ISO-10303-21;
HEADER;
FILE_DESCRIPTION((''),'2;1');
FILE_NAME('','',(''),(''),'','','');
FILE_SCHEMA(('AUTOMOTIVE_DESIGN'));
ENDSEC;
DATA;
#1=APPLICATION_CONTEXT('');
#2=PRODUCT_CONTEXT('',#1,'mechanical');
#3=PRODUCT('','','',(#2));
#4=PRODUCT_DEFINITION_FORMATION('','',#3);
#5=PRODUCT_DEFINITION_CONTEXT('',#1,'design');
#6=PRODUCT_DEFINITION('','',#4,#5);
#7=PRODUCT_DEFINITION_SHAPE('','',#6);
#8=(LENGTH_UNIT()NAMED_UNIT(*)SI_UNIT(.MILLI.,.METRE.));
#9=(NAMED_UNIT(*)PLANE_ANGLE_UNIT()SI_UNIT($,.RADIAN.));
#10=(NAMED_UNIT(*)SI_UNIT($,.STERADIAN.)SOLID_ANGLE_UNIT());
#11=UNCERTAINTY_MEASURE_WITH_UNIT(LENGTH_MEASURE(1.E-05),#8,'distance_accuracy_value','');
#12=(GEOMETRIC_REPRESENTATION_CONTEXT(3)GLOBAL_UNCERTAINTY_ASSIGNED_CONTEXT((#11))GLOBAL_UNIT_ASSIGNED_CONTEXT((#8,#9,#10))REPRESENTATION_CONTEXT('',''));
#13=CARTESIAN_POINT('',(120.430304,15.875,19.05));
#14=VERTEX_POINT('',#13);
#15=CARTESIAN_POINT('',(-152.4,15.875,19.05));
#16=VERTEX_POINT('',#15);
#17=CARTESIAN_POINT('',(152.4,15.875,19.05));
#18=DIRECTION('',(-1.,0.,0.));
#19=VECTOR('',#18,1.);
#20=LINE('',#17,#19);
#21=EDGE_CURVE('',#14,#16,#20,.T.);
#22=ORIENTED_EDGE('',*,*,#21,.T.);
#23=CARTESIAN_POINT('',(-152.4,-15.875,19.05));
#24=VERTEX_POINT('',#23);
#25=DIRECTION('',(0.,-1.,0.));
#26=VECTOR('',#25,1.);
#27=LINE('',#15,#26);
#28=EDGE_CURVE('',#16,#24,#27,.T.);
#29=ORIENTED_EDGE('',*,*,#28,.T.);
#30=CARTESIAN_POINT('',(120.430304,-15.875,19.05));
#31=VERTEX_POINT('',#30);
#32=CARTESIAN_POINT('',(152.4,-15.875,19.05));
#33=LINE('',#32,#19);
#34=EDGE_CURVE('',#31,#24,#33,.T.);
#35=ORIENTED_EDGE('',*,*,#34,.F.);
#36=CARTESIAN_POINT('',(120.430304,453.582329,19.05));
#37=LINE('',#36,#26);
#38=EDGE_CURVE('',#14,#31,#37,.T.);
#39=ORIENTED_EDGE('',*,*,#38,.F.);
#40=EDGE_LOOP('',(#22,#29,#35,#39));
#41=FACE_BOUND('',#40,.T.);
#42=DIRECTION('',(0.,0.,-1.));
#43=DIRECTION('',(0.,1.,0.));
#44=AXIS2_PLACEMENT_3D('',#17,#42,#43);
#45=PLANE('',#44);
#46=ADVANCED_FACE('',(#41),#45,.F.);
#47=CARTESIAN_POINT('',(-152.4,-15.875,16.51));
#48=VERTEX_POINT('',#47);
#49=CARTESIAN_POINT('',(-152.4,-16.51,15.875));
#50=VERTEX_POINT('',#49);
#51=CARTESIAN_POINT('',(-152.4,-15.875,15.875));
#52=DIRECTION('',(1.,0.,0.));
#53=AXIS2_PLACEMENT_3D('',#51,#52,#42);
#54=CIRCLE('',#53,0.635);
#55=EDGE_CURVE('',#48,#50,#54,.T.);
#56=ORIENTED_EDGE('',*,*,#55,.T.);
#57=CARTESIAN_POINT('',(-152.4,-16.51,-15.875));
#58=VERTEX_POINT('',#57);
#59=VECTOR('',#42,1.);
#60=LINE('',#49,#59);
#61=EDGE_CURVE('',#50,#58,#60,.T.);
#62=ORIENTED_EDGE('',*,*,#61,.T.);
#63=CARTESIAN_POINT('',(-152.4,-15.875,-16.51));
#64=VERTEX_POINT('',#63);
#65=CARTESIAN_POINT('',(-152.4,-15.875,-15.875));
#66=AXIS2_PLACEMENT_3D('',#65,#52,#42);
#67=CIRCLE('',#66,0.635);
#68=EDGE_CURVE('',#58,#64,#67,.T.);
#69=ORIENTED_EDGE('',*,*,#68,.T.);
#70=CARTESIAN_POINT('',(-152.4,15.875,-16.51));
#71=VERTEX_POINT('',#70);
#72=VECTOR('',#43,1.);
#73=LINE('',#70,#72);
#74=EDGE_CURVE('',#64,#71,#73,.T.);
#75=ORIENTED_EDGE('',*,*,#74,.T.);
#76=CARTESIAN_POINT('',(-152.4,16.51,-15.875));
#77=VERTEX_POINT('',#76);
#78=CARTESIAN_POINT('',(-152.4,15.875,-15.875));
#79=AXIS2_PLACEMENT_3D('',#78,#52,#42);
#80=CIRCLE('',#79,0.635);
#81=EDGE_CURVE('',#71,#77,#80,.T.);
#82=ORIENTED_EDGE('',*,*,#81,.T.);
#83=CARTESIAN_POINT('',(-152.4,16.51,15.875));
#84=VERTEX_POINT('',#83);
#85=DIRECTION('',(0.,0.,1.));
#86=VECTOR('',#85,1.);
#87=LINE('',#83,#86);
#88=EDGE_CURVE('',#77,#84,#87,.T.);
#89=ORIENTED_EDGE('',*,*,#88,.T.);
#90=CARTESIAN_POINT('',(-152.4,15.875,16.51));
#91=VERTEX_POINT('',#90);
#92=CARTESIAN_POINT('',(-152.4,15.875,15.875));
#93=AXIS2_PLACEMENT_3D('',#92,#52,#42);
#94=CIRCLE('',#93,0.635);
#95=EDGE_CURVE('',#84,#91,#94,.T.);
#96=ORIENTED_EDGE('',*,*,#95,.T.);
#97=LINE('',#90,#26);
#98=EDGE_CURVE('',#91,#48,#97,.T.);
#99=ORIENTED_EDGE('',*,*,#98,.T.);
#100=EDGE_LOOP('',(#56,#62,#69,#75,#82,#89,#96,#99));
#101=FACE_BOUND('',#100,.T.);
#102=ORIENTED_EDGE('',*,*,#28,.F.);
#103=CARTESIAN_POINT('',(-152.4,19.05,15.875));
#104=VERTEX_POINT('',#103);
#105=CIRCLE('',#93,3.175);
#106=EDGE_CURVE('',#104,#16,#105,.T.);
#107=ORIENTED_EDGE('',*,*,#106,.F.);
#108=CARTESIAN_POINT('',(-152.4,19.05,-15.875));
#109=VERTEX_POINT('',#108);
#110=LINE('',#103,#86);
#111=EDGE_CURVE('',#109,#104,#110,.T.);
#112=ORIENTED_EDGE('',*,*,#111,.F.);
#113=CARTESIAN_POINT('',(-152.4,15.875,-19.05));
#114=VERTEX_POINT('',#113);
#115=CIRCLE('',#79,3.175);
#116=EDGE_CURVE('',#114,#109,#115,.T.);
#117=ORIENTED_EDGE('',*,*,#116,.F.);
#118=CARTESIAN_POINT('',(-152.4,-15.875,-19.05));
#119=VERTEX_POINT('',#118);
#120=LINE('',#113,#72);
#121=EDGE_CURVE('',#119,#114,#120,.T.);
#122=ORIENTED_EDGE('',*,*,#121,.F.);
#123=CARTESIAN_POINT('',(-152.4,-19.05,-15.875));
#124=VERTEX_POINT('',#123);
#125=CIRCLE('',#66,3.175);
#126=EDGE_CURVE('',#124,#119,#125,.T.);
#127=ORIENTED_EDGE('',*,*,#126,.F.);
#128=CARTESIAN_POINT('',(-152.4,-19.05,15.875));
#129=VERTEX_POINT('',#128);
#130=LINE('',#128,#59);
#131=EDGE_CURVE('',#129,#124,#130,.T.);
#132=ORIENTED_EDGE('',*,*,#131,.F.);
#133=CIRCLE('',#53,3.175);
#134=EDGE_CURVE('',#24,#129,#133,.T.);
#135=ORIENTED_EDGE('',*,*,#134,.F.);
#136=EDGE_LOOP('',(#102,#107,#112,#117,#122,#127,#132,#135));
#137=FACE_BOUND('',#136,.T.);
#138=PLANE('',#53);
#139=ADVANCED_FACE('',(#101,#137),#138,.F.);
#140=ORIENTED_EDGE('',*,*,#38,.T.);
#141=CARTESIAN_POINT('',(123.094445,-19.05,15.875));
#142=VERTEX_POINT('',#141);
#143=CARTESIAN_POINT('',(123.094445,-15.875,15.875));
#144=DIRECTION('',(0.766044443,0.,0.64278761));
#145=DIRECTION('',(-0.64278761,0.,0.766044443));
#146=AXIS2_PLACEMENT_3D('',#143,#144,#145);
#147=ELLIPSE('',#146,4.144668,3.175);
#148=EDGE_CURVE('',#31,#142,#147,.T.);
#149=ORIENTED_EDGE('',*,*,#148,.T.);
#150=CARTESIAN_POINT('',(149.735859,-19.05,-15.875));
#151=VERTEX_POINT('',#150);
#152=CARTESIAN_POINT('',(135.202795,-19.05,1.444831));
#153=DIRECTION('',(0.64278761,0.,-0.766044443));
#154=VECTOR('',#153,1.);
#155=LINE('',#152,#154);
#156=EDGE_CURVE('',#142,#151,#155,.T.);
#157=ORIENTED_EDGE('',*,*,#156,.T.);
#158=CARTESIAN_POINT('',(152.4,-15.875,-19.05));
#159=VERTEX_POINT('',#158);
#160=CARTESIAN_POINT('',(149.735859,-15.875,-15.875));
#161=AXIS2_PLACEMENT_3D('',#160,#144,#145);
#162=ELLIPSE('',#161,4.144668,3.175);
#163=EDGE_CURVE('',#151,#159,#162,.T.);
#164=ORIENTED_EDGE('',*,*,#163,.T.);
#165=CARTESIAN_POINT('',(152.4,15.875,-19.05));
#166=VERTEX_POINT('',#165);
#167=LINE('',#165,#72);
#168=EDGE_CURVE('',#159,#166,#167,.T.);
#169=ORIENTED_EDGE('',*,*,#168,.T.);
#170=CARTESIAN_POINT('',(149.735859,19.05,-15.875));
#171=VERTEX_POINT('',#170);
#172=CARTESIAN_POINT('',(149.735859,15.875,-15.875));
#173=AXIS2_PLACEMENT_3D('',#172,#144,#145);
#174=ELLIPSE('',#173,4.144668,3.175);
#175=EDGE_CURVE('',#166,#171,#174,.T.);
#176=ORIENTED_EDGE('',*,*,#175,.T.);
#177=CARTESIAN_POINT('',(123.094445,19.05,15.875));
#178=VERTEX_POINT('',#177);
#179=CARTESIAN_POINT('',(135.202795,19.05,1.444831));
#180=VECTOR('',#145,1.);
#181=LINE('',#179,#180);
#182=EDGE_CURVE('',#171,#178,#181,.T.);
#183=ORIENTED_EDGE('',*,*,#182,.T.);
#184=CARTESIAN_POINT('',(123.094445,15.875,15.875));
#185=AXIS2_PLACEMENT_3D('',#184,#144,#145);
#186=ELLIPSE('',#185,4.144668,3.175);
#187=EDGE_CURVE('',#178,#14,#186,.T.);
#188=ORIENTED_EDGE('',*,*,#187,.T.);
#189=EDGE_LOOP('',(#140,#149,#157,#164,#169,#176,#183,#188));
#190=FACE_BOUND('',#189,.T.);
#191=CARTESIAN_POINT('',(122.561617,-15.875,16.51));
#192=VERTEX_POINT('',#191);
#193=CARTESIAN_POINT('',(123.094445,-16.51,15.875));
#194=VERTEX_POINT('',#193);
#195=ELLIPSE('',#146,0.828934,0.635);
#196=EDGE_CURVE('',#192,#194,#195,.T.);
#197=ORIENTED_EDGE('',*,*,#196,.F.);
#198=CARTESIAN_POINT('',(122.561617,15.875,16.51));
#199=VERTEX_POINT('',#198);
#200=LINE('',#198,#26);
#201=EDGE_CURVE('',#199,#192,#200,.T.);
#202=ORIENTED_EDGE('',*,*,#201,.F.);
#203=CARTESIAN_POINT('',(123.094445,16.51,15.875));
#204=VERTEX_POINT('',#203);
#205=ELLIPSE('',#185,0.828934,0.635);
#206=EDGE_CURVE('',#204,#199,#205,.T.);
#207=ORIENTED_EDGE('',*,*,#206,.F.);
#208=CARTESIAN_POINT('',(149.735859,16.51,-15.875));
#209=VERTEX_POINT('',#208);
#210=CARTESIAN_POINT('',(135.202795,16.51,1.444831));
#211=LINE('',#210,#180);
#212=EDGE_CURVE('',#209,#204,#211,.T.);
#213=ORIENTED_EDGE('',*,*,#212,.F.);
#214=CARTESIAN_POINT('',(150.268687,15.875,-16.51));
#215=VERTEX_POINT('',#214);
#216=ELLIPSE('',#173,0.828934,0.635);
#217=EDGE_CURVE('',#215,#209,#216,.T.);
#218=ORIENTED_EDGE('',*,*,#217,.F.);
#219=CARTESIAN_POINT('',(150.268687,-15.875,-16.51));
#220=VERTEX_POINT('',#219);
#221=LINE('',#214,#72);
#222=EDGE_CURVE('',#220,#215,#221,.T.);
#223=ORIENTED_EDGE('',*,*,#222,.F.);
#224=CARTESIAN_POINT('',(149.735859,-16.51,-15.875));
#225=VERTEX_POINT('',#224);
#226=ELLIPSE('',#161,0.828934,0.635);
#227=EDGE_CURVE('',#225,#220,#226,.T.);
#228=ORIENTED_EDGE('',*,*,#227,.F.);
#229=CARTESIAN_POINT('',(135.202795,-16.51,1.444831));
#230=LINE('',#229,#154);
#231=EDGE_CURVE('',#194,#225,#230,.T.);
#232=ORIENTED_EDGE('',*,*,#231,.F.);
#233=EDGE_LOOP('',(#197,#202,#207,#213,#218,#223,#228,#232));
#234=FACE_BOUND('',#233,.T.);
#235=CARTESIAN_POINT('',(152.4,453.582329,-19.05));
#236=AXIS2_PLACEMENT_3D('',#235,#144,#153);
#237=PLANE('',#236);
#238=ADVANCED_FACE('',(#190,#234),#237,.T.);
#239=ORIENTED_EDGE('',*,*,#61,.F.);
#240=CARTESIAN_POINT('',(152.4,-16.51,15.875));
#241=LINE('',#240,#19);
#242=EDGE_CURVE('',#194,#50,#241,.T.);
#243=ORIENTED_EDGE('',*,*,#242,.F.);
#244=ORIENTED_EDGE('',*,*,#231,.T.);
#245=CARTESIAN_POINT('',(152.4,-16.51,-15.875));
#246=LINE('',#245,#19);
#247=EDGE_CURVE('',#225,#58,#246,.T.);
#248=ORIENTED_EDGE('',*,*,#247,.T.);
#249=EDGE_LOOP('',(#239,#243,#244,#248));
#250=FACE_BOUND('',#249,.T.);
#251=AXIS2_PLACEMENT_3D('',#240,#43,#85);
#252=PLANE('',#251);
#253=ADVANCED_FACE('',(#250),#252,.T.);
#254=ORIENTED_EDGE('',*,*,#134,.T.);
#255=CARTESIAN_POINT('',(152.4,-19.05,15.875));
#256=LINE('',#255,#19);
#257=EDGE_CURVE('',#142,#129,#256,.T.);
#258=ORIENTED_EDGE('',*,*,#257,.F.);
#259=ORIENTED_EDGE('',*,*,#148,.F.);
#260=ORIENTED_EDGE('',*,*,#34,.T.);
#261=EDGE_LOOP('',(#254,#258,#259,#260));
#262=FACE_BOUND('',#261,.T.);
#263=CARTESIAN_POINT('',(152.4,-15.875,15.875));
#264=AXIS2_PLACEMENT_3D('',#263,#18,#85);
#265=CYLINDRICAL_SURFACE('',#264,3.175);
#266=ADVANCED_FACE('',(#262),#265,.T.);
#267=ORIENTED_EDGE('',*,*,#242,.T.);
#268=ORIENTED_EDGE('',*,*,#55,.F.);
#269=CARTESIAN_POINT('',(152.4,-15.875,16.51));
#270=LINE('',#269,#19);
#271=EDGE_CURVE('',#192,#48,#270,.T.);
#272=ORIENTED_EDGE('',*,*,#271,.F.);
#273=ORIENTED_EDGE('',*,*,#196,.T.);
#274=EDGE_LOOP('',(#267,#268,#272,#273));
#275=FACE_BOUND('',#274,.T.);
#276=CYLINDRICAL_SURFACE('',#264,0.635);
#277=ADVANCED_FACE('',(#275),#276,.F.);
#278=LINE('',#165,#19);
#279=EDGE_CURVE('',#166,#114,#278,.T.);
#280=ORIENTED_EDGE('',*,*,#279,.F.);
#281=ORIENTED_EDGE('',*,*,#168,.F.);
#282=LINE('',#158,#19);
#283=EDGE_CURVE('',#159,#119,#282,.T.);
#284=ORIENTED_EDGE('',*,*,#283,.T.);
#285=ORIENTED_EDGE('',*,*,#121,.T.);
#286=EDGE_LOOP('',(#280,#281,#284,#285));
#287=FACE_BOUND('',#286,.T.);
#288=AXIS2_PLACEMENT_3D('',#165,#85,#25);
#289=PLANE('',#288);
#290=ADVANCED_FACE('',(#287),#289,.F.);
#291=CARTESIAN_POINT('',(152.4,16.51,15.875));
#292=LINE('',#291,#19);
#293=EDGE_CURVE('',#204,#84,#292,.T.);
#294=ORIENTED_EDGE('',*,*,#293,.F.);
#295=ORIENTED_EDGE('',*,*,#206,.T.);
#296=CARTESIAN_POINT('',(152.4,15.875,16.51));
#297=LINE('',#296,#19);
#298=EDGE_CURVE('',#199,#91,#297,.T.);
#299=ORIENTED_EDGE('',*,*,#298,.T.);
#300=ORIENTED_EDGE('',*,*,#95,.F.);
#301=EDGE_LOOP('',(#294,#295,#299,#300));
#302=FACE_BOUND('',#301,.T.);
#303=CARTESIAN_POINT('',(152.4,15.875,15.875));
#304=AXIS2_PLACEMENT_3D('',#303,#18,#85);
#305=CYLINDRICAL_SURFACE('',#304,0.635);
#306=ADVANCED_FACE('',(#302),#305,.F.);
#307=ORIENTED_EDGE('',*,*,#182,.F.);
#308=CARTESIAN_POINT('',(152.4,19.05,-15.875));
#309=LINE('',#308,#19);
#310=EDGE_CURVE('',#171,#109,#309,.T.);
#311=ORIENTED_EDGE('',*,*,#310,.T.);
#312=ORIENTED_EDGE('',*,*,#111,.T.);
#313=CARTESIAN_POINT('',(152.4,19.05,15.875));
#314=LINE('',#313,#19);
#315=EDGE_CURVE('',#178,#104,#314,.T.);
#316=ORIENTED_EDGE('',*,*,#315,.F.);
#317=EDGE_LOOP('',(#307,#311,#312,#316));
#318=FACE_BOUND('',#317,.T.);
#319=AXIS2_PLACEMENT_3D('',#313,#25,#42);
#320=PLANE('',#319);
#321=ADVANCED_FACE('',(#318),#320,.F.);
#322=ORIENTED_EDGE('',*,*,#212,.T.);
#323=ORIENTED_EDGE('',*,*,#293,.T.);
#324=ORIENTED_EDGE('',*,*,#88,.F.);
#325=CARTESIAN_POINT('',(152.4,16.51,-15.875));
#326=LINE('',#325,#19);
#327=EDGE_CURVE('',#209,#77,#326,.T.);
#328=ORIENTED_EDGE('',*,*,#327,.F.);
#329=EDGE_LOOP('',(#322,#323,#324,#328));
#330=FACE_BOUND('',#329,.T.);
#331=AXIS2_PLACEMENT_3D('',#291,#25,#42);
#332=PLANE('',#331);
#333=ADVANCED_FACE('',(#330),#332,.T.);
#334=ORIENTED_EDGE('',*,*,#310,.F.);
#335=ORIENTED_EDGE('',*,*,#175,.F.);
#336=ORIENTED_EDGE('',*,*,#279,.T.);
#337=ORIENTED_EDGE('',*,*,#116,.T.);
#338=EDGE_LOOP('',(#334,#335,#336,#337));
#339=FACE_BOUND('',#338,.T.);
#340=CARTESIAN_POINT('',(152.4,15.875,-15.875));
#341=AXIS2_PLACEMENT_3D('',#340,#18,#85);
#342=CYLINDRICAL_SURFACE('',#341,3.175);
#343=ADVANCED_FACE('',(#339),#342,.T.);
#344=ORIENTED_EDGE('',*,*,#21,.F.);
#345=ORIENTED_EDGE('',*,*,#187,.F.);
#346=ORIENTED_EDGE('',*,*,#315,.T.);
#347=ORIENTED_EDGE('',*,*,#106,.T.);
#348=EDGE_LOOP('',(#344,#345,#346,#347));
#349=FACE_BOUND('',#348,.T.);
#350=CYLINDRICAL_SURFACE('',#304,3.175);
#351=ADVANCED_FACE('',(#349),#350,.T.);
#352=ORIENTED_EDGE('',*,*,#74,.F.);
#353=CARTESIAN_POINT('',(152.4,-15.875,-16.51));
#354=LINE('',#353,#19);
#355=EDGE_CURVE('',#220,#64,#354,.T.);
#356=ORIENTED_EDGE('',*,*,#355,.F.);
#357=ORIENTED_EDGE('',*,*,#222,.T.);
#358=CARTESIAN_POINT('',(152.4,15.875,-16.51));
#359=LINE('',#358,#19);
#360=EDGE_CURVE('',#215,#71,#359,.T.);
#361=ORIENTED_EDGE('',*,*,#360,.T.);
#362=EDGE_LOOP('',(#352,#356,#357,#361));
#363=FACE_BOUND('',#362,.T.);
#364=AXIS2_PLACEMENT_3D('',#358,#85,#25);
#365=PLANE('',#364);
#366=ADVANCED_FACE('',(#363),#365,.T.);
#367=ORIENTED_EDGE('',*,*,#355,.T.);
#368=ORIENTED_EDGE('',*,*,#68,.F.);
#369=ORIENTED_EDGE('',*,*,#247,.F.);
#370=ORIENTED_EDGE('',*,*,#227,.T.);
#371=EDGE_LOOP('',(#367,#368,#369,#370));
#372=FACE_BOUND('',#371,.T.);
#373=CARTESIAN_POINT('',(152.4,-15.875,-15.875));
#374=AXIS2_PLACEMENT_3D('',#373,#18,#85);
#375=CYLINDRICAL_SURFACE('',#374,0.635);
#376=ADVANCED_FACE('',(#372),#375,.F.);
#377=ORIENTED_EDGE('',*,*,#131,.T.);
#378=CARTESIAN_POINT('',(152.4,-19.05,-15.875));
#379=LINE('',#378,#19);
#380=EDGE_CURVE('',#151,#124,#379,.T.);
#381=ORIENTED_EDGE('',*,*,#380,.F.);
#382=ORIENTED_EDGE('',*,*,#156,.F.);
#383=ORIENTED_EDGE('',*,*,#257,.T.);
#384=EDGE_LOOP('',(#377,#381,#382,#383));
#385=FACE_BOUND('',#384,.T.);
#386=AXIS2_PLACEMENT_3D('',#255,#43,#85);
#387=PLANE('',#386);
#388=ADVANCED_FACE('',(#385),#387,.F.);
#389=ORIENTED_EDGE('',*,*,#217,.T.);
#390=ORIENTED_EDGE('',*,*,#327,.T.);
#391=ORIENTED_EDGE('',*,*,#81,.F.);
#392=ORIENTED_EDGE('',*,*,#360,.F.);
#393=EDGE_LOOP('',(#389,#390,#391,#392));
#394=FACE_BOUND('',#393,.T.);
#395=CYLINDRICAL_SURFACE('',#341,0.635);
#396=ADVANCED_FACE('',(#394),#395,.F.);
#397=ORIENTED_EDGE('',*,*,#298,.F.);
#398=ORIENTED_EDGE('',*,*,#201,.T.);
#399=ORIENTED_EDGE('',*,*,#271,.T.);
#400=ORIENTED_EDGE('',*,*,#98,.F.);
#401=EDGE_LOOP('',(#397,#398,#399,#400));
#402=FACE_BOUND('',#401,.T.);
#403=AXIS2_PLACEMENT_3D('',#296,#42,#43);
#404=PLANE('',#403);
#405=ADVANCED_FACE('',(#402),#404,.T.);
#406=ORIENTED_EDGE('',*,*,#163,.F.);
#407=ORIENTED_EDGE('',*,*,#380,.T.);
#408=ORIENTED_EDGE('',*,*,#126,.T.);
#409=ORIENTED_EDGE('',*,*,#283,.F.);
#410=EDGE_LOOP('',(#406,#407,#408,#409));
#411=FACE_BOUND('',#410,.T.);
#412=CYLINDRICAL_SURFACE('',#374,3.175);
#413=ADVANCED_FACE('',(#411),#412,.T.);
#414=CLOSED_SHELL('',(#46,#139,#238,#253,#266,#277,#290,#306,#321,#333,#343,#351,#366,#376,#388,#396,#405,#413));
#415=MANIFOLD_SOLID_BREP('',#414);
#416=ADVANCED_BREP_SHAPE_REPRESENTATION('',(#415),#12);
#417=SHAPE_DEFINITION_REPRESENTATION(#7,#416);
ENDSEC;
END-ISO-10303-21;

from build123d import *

# Parameters (mm, degrees)
EXTRUDE_THIN1_DEPTH     = 152.4
CUT_EXTRUDE1_DEPTH      = 1
CUT_EXTRUDE1_DEPTH_BACK = 39.1


with BuildPart() as part:
    # Sketch1 → Extrude-Thin1 (new body, symmetric)
    with BuildSketch(Plane(origin=(0, 0, 0), x_dir=(0, 0, -1), z_dir=(1, 0, 0))):
        with BuildLine():
            Line((-15.875, 19.05), (15.875, 19.05))
            ThreePointArc((15.875, 19.05), (18.12006403, 18.12006403), (19.05, 15.875))
            Line((19.05, 15.875), (19.05, -15.875))
            ThreePointArc((19.05, -15.875), (18.12006403, -18.12006403), (15.875, -19.05))
            Line((15.875, -19.05), (-15.875, -19.05))
            ThreePointArc((-15.875, -19.05), (-18.12006403, -18.12006403), (-19.05, -15.875))
            Line((-19.05, -15.875), (-19.05, 15.875))
            ThreePointArc((-19.05, 15.875), (-18.12006403, 18.12006403), (-15.875, 19.05))
        make_face()
        with BuildLine():
            Line((-15.875, 16.51), (15.875, 16.51))
            ThreePointArc((15.875, 16.51), (16.324012806, 16.324012806), (16.51, 15.875))
            Line((16.51, 15.875), (16.51, -15.875))
            ThreePointArc((16.51, -15.875), (16.324012806, -16.324012806), (15.875, -16.51))
            Line((15.875, -16.51), (-15.875, -16.51))
            ThreePointArc((-15.875, -16.51), (-16.324012806, -16.324012806), (-16.51, -15.875))
            Line((-16.51, -15.875), (-16.51, 15.875))
            ThreePointArc((-16.51, 15.875), (-16.324012806, 16.324012806), (-15.875, 16.51))
        make_face(mode=Mode.SUBTRACT)
    extrude(amount=EXTRUDE_THIN1_DEPTH, both=True)

    # Sketch3 → Cut-Extrude1 (cut, two sides)
    with BuildSketch(Plane(origin=(0, 19.05, 0), x_dir=(1, 0, 0), z_dir=(0, 1, 0))) as cut_extrude1_sk:
        Polygon((553.720613364, 497.325282758), (152.4, 19.05), (120.430304052, -19.05), (-280.890309312, -497.325282758), (675.660256205, -1299.966509486), (1510.271178881, -305.315943969), align=None)
    extrude(amount=CUT_EXTRUDE1_DEPTH, mode=Mode.SUBTRACT)
    extrude(cut_extrude1_sk.sketch, amount=-CUT_EXTRUDE1_DEPTH_BACK, mode=Mode.SUBTRACT)


solid = part.part
